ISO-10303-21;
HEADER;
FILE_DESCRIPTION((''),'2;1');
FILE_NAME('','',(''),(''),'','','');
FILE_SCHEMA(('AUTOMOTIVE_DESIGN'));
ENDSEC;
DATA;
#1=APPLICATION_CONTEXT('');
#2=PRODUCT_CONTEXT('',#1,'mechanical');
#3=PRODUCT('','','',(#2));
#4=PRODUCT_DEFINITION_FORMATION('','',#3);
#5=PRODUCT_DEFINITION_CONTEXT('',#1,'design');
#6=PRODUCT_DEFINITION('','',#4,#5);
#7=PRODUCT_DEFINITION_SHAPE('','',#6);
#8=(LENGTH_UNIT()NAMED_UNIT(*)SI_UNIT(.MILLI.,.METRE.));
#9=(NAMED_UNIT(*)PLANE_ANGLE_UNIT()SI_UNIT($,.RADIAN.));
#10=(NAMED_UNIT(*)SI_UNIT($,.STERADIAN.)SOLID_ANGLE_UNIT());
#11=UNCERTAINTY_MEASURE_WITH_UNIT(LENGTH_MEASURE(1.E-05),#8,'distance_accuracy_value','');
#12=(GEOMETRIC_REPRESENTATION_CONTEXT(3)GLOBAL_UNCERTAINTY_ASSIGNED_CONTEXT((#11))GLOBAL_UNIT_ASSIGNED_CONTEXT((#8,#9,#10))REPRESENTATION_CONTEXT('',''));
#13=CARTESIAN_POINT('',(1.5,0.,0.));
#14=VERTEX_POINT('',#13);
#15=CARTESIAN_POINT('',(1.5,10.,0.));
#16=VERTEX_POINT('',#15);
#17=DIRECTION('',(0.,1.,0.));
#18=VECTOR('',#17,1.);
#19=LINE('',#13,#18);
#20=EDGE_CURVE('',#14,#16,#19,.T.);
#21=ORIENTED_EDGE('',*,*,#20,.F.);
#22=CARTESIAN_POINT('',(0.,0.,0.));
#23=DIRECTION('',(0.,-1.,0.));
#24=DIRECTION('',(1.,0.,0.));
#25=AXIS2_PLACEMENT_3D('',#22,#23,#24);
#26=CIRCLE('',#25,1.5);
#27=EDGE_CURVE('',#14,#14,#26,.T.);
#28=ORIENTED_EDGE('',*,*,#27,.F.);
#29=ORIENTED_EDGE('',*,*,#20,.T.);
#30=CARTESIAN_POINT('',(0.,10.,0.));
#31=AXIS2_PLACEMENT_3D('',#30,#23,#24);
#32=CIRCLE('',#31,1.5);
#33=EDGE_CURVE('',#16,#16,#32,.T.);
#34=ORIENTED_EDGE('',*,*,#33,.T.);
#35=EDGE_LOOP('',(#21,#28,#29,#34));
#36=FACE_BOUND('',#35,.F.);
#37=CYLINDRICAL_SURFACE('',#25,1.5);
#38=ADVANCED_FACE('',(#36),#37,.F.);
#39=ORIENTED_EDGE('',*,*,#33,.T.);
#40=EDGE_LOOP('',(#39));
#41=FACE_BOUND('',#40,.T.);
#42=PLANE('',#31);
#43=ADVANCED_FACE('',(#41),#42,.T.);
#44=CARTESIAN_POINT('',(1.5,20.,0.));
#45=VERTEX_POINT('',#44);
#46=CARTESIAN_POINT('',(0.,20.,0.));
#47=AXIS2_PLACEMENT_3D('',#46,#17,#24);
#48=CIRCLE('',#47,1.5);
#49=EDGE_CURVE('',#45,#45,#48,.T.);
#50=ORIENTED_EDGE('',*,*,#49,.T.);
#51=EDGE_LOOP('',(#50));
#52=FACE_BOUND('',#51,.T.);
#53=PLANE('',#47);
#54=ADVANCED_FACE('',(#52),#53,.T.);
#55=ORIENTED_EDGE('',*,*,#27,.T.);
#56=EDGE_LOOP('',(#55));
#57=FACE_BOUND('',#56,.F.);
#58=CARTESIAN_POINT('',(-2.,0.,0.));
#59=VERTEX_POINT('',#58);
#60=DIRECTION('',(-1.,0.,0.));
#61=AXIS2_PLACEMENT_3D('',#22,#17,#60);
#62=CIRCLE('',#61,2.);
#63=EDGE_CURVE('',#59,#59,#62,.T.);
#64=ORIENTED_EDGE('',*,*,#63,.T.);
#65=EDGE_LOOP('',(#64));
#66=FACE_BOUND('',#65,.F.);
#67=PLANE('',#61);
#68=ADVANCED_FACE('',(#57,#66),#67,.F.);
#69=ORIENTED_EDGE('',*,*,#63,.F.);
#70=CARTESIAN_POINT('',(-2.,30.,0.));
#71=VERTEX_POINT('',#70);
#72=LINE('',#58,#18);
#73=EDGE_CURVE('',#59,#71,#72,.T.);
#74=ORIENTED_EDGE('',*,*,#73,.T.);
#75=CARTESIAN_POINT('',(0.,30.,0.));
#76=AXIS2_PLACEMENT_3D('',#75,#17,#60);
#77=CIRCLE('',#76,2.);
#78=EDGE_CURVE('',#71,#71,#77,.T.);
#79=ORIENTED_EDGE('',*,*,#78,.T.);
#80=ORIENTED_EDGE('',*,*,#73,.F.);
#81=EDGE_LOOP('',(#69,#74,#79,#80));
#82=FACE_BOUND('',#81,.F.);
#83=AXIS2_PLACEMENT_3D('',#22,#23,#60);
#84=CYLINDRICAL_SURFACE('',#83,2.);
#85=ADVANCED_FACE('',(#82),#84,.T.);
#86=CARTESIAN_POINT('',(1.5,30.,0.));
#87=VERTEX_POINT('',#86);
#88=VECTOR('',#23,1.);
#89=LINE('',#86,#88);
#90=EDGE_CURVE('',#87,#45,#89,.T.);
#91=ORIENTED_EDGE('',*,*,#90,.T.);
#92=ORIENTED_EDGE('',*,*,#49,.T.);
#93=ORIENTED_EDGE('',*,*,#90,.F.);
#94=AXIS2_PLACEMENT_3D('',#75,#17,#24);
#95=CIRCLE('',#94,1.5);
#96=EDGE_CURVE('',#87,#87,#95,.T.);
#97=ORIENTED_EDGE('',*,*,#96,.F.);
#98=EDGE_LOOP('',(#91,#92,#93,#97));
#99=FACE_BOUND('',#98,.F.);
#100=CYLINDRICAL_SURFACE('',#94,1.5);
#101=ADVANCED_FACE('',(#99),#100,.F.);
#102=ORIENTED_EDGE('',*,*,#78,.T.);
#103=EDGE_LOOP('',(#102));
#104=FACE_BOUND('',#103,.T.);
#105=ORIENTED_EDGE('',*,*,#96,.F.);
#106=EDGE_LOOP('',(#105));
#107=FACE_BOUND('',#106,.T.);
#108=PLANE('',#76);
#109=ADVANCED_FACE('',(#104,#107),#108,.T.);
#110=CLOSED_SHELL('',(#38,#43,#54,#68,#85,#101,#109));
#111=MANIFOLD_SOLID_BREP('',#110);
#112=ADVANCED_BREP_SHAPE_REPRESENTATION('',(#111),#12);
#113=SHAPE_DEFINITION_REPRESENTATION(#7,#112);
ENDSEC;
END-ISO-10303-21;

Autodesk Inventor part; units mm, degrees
ref_plane "YZ Plane" through (0, 0, 0) normal (1, 0, 0) x (0, 1, 0)
ref_plane "XZ Plane" through (0, 0, 0) normal (0, 1, 0) x (-1, 0, 0)
ref_plane "XY Plane" through (0, 0, 0) normal (0, 0, 1) x (1, 0, 0)
sketch "Sketch1" plane through (0, 0, 0) normal (0, 1, 0) x (-1, 0, 0)
  circle A0 centre (0, 0) radius 2
  circle A1 centre (0, 0) radius 1.75
  dimension "d0" = 4
  dimension "d3" = 3.5
extrude "Beams" add sketch "Sketch1" along normal blind 30 contours A0 | A1
sketch "Sketch3" plane through (0, 0, 0) normal (0, -1, 0) x (1, 0, 0)
  circle A0 centre (0, 0) radius 1.5
  dimension "d4" = 3
extrude "Screw Hole" cut sketch "Sketch3" against normal blind 10
thread "Thread1" size "M3x0.5" class "6H" standard "ANSI Metric M Profile" full length
sketch "Sketch4" plane through (0, 30, 0) normal (0, 1, 0) x (1, 0, 0)
  circle A0 centre (0, 0) radius 1.5
  dimension "d9" = 3
extrude "Extrusion3" cut sketch "Sketch4" against normal blind 10
thread "Thread2" size "M3x0.5" class "6H" standard "ANSI Metric M Profile" full length
properties part number "Beams"
